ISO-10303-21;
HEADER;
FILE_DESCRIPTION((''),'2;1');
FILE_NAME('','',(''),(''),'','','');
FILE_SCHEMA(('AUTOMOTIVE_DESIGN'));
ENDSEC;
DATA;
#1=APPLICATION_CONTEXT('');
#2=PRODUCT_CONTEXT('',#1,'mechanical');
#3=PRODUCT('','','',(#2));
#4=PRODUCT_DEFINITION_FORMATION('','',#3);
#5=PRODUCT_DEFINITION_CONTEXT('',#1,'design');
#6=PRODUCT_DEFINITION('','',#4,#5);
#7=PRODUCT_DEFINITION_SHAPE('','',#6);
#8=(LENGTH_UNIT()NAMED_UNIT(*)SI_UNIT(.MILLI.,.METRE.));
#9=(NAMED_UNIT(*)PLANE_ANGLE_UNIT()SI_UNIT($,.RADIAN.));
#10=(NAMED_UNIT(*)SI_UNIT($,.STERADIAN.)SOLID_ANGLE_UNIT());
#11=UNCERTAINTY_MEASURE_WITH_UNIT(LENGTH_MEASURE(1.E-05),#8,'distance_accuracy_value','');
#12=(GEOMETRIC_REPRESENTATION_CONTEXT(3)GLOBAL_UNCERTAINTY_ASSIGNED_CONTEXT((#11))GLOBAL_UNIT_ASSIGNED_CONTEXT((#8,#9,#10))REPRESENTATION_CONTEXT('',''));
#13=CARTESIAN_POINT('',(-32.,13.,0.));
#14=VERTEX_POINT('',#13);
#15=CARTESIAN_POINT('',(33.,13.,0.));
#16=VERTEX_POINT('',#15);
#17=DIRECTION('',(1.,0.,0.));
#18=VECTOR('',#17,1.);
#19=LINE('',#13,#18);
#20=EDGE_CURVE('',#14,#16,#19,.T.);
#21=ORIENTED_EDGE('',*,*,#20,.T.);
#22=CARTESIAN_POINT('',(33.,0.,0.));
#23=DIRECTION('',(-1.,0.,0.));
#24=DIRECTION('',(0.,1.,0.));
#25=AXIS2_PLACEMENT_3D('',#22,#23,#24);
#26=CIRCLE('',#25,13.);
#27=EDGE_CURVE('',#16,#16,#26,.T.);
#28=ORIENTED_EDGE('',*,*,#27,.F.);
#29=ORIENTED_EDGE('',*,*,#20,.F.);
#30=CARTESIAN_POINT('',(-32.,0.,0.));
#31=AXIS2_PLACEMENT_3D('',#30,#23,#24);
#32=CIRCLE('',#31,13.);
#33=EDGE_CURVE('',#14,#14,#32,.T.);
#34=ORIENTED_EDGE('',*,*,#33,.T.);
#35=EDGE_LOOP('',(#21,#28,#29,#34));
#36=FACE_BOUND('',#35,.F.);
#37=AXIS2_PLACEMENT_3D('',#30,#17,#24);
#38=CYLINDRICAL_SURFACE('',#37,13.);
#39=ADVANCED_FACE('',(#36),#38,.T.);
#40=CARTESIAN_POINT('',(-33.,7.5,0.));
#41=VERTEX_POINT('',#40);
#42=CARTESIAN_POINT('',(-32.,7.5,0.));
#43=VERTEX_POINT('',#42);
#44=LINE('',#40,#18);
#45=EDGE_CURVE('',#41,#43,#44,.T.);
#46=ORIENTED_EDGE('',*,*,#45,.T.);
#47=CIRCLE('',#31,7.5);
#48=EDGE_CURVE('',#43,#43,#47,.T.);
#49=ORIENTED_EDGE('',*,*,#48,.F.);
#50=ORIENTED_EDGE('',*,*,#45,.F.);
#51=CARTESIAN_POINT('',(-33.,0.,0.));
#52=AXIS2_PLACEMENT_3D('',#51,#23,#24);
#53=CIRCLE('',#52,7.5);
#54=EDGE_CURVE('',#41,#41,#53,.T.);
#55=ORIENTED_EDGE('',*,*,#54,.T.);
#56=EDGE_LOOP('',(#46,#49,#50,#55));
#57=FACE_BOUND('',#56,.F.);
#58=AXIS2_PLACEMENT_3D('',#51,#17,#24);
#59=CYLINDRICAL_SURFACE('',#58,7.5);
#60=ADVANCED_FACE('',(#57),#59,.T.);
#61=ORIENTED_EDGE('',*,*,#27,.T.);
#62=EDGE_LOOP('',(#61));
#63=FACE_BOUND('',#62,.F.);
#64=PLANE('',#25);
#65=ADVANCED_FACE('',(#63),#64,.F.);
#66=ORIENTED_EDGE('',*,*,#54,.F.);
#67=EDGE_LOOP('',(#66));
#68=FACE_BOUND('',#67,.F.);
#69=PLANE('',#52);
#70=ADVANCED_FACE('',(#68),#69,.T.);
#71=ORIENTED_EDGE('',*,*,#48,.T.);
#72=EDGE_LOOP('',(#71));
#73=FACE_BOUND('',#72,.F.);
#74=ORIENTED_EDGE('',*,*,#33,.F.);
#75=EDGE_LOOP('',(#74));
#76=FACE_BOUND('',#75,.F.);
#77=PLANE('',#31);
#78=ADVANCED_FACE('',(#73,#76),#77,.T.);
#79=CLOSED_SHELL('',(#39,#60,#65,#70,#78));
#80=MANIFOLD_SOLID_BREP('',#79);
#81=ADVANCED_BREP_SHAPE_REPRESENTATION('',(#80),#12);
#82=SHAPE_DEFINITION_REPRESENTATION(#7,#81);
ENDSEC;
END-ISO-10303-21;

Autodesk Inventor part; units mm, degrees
ref_plane "YZ Plane" through (0, 0, 0) normal (1, 0, 0) x (0, 1, 0)
ref_plane "XZ Plane" through (0, 0, 0) normal (0, 1, 0) x (-1, 0, 0)
ref_plane "XY Plane" through (0, 0, 0) normal (0, 0, 1) x (1, 0, 0)
sketch "草圖1" plane through (0, 0, 0) normal (0, 0, 1) x (1, 0, 0)
  line L0 (-32, 13) -> (33, 13)
  line L1 (33, 13) -> (33, 0)
  line L2 (33, 0) -> (-33, 0)
  line L3 (-32, 7.5) -> (-32, 13)
  line L4 (-33, 7.5) -> (-32, 7.5)
  line L5 (-33, 0) -> (-33, 7.5)
  point P0 (0, 0)
  point P1 (0, 0)
  dimension "d0" = 26
  dimension "d1" = 65
  dimension "d2" = 15
  dimension "d3" = 1
revolve "迴轉1" add sketch "草圖1" angle 360 about axis through (33, 0, 0) along (-1, 0, 0)
properties part number "28650凸" material "SS41"
